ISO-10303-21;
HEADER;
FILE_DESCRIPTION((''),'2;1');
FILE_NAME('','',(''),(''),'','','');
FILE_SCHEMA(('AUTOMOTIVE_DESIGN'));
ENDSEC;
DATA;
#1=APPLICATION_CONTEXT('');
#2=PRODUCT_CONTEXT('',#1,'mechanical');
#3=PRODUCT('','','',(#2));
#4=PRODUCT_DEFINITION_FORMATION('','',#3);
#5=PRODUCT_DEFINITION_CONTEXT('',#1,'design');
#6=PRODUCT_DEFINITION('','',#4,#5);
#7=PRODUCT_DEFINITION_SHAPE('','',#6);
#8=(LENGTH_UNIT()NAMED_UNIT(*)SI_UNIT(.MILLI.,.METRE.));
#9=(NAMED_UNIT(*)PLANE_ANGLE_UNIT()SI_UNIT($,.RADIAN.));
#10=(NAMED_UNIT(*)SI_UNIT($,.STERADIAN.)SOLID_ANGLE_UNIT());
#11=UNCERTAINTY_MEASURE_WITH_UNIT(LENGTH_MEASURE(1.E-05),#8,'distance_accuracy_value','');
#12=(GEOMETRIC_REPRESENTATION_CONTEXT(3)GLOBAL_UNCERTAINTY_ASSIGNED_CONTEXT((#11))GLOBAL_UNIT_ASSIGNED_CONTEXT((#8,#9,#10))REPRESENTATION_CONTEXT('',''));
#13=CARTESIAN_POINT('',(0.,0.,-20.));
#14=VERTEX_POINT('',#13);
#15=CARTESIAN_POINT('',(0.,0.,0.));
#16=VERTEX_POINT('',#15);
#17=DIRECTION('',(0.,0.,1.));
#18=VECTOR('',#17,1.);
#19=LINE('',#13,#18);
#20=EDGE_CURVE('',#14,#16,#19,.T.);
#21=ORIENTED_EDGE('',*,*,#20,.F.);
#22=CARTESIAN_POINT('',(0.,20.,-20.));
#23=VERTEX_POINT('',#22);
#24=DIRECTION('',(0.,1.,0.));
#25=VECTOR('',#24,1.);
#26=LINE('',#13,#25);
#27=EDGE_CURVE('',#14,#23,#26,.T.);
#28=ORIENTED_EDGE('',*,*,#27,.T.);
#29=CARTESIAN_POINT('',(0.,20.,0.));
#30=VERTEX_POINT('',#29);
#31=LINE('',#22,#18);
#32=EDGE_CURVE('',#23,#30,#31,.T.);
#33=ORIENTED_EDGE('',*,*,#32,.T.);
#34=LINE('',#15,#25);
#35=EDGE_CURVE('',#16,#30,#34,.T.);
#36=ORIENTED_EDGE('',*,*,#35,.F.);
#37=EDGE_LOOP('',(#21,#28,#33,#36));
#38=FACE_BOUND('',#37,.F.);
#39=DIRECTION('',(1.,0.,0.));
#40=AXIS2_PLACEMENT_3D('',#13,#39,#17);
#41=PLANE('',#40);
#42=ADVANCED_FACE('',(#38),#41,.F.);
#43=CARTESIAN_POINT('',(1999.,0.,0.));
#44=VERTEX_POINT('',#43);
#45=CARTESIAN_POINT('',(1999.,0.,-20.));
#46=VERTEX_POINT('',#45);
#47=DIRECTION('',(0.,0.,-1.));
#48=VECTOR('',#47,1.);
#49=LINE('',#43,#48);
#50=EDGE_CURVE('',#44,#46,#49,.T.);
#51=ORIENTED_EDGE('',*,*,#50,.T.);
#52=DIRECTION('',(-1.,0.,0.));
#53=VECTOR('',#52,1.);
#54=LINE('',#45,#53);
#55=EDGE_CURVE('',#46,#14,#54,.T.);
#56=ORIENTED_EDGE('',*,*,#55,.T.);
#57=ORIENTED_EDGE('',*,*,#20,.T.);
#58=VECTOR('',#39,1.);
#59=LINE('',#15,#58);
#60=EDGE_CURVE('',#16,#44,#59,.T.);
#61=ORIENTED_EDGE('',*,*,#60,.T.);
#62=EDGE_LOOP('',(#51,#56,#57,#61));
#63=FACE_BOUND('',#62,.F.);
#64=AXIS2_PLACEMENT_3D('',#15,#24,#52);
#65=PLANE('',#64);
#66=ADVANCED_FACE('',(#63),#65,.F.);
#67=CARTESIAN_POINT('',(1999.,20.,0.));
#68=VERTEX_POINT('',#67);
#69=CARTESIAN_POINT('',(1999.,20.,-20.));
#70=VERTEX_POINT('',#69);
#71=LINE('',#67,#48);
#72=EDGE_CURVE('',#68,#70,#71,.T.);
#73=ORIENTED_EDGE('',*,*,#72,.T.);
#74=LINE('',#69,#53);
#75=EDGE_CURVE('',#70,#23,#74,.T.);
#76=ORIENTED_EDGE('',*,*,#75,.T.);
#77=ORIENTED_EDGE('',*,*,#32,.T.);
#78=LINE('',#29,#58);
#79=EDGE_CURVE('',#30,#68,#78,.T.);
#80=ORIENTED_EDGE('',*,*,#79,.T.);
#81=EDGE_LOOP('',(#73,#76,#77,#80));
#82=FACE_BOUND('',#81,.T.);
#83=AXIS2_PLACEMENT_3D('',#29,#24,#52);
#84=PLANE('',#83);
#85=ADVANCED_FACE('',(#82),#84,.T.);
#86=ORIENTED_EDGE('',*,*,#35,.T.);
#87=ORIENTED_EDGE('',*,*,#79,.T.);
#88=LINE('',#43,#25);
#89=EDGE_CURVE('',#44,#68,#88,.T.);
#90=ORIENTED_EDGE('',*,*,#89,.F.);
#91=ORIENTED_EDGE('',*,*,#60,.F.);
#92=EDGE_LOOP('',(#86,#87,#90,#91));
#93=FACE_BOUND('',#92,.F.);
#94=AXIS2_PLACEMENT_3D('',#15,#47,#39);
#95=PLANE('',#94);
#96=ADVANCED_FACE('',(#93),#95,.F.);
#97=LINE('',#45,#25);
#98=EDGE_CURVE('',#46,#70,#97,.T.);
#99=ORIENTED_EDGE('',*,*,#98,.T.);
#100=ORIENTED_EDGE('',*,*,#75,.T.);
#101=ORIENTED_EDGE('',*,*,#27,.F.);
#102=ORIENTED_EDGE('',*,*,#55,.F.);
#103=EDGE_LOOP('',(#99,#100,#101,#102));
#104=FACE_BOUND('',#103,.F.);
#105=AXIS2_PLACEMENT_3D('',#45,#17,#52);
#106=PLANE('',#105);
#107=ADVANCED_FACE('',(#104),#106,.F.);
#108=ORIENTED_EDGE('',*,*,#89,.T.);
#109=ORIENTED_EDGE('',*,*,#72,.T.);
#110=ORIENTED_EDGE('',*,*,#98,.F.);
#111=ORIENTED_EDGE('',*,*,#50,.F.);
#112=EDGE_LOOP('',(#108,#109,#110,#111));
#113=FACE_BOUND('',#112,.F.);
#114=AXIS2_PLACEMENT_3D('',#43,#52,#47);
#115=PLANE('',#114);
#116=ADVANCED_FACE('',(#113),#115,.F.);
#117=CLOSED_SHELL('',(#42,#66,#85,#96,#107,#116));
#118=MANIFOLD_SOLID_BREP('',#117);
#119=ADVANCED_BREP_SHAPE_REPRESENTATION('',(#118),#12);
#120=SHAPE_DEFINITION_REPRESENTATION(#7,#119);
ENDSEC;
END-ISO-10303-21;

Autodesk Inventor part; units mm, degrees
ref_plane "YZ Plane" through (0, 0, 0) normal (1, 0, 0) x (0, 1, 0)
ref_plane "XZ Plane" through (0, 0, 0) normal (0, 1, 0) x (-1, 0, 0)
ref_plane "XY Plane" through (0, 0, 0) normal (0, 0, 1) x (1, 0, 0)
sketch "Boceto1" plane through (0, 0, 0) normal (0, 1, 0) x (-1, 0, 0)
  line L0 (0, 0) -> (-1999, 0)
  line L1 (-1999, 0) -> (-1999, -20)
  line L2 (-1999, -20) -> (0, -20)
  line L3 (0, -20) -> (0, 0)
  dimension "d0" = 1999
  dimension "d1" = 20
extrude "Extrusión1" add sketch "Boceto1" along normal blind 20
properties part number "BarraLarga"
